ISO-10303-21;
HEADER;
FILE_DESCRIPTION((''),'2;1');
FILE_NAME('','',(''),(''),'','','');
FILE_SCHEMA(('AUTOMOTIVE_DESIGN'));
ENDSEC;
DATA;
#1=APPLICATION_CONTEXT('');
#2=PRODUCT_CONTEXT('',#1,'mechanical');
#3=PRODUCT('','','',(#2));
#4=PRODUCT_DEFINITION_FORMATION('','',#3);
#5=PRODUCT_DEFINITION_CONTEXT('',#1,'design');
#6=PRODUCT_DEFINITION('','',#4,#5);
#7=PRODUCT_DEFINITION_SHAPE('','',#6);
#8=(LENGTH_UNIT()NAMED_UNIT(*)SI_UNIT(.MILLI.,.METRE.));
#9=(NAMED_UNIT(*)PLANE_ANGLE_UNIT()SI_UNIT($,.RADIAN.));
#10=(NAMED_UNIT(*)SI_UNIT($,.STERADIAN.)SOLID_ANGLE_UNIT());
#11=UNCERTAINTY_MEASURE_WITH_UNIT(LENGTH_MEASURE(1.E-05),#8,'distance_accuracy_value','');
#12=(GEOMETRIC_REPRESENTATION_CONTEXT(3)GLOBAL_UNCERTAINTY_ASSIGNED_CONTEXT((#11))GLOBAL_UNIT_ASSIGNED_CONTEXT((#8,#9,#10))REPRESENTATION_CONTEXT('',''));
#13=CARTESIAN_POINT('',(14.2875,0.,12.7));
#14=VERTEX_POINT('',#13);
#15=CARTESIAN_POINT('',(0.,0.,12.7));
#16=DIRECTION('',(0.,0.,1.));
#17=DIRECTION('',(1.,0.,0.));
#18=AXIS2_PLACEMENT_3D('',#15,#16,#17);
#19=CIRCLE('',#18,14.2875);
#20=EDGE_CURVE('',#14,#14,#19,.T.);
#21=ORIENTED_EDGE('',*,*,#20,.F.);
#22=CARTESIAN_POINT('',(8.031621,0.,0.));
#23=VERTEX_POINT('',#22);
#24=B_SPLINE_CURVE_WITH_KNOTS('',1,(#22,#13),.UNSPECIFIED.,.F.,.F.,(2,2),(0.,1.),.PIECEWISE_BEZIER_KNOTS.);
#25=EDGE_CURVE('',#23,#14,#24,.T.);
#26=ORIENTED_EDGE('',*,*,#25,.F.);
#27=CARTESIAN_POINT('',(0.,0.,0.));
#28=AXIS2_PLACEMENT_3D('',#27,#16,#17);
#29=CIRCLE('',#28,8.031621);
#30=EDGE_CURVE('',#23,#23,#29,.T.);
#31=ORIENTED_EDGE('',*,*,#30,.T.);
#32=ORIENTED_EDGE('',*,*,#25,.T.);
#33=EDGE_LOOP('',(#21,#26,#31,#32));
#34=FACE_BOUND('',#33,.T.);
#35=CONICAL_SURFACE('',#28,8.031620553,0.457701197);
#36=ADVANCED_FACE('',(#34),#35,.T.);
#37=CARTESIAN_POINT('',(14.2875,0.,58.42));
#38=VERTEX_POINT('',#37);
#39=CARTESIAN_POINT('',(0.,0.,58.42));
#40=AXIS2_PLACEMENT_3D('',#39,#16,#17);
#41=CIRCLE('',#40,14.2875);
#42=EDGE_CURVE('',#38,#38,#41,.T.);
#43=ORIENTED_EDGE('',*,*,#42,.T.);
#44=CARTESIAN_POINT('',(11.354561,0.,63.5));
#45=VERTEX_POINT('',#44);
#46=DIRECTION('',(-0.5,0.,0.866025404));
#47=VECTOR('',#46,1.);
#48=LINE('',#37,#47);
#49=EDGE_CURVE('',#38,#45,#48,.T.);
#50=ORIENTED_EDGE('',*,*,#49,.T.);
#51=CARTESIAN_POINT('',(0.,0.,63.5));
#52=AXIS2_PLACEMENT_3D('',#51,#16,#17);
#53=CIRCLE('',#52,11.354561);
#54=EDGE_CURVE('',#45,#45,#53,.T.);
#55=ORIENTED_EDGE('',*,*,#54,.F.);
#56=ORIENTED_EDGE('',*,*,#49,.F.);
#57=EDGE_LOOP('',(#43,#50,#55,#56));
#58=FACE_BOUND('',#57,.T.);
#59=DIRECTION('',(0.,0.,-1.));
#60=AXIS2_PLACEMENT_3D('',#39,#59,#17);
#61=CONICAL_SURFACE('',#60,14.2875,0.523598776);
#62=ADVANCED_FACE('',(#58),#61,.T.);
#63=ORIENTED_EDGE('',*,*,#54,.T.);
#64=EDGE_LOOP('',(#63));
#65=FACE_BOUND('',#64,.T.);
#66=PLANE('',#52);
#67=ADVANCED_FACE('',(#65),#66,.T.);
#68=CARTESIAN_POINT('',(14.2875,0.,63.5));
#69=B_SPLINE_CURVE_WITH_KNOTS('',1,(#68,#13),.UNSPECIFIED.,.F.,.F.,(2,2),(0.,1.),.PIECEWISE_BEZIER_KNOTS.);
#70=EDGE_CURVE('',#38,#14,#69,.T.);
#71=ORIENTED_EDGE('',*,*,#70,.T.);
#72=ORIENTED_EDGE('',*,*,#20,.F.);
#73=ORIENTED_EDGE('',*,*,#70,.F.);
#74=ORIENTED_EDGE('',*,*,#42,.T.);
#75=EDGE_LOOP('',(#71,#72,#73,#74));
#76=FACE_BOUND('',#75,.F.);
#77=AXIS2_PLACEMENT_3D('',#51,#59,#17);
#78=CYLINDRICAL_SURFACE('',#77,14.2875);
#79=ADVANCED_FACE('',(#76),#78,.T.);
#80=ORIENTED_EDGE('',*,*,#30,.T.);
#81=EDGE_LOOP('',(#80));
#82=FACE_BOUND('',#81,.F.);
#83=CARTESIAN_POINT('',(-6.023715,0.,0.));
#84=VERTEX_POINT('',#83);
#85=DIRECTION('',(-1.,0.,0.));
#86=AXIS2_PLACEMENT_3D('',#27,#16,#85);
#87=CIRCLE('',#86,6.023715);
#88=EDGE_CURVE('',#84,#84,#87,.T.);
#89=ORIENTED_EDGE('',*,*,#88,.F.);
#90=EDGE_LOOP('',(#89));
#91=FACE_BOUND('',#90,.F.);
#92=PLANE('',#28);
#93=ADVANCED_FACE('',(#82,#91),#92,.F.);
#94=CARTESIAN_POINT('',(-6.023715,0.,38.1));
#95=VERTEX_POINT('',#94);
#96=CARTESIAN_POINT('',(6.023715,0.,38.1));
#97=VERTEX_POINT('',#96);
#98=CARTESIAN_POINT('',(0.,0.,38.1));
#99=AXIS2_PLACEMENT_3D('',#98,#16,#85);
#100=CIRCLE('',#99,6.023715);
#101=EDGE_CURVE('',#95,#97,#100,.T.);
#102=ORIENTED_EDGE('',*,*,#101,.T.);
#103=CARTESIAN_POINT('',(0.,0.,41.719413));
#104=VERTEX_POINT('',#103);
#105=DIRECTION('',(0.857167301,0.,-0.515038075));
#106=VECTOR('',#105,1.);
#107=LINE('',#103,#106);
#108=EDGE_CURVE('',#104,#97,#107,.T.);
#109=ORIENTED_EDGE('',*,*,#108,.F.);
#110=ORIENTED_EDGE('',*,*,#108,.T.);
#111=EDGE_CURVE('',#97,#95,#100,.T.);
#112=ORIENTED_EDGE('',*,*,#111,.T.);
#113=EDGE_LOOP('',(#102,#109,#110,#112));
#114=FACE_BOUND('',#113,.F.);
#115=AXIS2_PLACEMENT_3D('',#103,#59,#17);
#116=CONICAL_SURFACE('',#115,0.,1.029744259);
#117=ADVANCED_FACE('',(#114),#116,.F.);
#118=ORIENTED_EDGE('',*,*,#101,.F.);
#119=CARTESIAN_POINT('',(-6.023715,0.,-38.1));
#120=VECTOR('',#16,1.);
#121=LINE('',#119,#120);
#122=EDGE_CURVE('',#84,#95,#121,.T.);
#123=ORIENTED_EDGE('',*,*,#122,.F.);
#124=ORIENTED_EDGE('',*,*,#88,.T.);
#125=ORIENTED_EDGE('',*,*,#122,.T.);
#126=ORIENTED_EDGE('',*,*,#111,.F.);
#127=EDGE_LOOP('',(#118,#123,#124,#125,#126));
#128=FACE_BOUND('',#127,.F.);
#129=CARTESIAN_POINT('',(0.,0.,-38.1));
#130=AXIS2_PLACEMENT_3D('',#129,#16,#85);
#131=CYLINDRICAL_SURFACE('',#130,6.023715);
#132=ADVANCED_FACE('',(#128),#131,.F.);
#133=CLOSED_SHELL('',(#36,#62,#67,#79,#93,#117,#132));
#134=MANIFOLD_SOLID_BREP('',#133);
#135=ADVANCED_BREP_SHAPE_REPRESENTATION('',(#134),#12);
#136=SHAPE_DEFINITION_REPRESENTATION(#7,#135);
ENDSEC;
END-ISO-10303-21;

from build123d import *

# Parameters (mm, degrees)
F0_R     = 8.0316205534
F2_R     = 14.2875
F4_R     = 14.2875
F8_D     = 12.04743083
F8_DEPTH = 38.1
F8_TIP   = 3.6194133731
F9_SIZE2 = 2.9329393675
F9_SIZE  = 5.08


with BuildPart() as f5:
    # F0 (on Top) → F5 section 0
    with BuildSketch(Plane.XY):
        Circle(F0_R)
    # F2 (on offset) → F5 section 1
    with BuildSketch(Plane.XY.offset(12.7)):
        Circle(F2_R)
    loft()

    # F4 (on offset) → F6 section 0
    with BuildSketch(Plane.XY.offset(63.5)):
        Circle(F4_R)
    # F2 (on offset) → F6 section 1
    with BuildSketch(Plane.XY.offset(12.7)):
        Circle(F2_R)
    loft()

    # F8
    with Locations(Plane(origin=(0, 0, 0), x_dir=(1, 0, 0), z_dir=(0, 0, -1))):
        with Locations((0, 0)):
            Hole(F8_D / 2, depth=F8_DEPTH)
            with Locations((0, 0, -(F8_DEPTH + F8_TIP / 2))):  # 118° drill point
                Cone(0, F8_D / 2, F8_TIP, mode=Mode.SUBTRACT)

    # F9
    f9_edges = [f5.edges().sort_by_distance(p)[0] for p in [
        (-14.2875, 0, 63.5),
    ]]
    chamfer(f9_edges, length=F9_SIZE, length2=F9_SIZE2)


solid = f5.part
